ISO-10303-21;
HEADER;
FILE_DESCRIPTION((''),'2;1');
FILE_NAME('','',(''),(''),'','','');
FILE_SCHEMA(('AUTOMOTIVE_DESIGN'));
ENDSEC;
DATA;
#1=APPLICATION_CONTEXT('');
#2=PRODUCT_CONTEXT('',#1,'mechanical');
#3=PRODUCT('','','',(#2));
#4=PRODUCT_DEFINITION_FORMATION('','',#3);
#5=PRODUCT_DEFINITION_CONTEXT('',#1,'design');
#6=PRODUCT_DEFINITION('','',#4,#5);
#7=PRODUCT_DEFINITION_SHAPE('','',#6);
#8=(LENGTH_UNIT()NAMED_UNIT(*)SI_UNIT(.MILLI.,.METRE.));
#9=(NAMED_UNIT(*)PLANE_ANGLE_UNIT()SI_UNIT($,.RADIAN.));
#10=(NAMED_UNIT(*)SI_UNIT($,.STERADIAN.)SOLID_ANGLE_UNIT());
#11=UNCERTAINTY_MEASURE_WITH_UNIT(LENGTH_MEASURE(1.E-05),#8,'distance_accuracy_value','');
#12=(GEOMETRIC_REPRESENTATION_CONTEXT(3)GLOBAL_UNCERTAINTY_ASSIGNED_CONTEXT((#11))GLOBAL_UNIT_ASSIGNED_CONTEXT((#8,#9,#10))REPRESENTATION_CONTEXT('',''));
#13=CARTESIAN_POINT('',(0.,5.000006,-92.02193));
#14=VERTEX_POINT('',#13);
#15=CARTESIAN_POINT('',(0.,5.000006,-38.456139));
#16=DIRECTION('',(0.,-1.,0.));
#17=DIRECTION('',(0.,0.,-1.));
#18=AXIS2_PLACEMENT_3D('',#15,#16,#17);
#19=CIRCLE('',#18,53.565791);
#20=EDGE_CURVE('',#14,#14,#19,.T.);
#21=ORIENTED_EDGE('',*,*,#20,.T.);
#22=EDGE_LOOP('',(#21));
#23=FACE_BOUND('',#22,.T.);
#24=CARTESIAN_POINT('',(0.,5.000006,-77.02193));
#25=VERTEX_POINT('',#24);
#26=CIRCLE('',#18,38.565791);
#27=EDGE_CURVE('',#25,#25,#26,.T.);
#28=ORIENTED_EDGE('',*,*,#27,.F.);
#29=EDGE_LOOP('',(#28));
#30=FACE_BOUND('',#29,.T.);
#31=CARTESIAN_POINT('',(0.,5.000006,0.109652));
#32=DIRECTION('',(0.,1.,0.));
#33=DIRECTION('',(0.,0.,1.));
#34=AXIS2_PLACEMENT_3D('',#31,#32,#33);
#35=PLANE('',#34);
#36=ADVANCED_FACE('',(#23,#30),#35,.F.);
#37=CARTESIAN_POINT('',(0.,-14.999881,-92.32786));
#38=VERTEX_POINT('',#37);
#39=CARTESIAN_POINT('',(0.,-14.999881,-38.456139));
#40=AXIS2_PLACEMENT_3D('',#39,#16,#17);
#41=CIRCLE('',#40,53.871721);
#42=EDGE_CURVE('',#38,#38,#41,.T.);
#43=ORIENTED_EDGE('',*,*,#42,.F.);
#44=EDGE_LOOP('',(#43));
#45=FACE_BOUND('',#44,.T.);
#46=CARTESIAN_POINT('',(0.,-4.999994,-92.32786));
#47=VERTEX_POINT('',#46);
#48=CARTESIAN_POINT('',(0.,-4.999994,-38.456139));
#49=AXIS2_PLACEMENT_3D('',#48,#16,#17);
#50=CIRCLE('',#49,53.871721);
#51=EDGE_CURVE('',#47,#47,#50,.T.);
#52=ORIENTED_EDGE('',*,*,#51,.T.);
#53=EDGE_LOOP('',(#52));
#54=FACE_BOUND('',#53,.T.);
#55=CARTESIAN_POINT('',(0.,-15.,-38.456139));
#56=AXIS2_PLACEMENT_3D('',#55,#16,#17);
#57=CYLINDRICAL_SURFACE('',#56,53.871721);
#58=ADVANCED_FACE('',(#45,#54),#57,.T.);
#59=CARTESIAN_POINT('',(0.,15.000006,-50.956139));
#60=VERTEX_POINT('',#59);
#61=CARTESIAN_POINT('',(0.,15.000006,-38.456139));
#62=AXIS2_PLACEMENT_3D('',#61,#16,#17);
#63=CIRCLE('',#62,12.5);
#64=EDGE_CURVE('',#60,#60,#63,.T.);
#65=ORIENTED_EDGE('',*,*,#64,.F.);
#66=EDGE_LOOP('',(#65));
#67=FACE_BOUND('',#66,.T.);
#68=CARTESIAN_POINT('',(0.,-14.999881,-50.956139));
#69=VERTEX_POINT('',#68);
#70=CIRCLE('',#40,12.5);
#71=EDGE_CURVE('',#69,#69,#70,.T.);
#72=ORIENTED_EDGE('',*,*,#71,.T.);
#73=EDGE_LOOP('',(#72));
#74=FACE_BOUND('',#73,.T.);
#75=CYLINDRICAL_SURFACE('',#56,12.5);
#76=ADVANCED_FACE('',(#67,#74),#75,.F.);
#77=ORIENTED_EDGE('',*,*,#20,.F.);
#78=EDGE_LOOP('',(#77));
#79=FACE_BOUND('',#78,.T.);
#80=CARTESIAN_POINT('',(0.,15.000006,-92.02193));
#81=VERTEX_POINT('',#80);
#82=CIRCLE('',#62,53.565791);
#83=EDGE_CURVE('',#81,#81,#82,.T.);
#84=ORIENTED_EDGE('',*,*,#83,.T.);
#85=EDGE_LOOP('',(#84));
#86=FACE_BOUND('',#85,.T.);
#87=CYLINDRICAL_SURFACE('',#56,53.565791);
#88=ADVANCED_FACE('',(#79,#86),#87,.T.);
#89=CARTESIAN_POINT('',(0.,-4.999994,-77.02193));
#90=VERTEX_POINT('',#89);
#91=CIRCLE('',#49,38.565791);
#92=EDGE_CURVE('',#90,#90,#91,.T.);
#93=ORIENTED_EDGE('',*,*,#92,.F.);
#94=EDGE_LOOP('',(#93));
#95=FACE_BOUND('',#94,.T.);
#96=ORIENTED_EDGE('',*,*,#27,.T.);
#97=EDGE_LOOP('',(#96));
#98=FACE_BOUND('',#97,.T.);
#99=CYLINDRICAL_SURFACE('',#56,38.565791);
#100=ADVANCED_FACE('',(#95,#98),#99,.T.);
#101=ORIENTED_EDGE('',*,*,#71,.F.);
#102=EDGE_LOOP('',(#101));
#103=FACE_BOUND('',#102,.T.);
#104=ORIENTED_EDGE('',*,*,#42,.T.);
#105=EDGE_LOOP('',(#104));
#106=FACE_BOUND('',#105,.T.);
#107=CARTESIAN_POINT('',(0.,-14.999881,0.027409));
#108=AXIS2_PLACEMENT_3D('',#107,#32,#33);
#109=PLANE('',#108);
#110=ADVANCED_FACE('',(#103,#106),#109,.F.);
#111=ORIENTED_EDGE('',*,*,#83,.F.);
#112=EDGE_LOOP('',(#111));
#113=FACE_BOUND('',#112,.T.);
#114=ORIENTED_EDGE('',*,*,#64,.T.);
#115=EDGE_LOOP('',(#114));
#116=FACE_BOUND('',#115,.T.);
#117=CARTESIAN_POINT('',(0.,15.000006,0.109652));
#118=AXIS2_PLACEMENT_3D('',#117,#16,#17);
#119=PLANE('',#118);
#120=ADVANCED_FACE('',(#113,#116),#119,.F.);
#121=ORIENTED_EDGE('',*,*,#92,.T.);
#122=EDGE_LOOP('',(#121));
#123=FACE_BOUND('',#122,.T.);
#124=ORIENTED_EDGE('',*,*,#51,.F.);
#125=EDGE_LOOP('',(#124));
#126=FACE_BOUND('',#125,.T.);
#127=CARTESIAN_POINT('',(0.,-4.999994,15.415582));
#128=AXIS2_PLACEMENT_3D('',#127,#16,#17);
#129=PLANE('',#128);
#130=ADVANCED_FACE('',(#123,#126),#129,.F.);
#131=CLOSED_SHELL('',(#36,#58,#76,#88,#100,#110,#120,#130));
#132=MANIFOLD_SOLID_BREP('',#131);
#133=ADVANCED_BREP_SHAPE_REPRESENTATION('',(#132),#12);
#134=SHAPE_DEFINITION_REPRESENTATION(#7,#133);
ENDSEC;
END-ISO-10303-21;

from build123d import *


with BuildPart() as part:
    # Sketch1 → Revolve1 (revolve)
    with BuildSketch(Plane.YZ, mode=Mode.PRIVATE) as revolve1_sk:
        Polygon((-14.999881438, 0.027408751), (-14.999881438, 15.415581909), (-4.999994159, 15.415581909), (-4.999994159, 0.109652172), (5.000005829, 0.109652172), (5.000005829, 15.109652172), (15.000005829, 15.109652172), (15.000005829, 0.109652172), (15.000005829, -25.956139131), (-14.999881438, -25.956139131), align=None)
    revolve(revolve1_sk.sketch.rotate(Axis((0, -15, -38.456139131), (0, 1, 0)), 180), axis=Axis((0, -15, -38.456139131), (0, 1, 0)))


solid = part.part
